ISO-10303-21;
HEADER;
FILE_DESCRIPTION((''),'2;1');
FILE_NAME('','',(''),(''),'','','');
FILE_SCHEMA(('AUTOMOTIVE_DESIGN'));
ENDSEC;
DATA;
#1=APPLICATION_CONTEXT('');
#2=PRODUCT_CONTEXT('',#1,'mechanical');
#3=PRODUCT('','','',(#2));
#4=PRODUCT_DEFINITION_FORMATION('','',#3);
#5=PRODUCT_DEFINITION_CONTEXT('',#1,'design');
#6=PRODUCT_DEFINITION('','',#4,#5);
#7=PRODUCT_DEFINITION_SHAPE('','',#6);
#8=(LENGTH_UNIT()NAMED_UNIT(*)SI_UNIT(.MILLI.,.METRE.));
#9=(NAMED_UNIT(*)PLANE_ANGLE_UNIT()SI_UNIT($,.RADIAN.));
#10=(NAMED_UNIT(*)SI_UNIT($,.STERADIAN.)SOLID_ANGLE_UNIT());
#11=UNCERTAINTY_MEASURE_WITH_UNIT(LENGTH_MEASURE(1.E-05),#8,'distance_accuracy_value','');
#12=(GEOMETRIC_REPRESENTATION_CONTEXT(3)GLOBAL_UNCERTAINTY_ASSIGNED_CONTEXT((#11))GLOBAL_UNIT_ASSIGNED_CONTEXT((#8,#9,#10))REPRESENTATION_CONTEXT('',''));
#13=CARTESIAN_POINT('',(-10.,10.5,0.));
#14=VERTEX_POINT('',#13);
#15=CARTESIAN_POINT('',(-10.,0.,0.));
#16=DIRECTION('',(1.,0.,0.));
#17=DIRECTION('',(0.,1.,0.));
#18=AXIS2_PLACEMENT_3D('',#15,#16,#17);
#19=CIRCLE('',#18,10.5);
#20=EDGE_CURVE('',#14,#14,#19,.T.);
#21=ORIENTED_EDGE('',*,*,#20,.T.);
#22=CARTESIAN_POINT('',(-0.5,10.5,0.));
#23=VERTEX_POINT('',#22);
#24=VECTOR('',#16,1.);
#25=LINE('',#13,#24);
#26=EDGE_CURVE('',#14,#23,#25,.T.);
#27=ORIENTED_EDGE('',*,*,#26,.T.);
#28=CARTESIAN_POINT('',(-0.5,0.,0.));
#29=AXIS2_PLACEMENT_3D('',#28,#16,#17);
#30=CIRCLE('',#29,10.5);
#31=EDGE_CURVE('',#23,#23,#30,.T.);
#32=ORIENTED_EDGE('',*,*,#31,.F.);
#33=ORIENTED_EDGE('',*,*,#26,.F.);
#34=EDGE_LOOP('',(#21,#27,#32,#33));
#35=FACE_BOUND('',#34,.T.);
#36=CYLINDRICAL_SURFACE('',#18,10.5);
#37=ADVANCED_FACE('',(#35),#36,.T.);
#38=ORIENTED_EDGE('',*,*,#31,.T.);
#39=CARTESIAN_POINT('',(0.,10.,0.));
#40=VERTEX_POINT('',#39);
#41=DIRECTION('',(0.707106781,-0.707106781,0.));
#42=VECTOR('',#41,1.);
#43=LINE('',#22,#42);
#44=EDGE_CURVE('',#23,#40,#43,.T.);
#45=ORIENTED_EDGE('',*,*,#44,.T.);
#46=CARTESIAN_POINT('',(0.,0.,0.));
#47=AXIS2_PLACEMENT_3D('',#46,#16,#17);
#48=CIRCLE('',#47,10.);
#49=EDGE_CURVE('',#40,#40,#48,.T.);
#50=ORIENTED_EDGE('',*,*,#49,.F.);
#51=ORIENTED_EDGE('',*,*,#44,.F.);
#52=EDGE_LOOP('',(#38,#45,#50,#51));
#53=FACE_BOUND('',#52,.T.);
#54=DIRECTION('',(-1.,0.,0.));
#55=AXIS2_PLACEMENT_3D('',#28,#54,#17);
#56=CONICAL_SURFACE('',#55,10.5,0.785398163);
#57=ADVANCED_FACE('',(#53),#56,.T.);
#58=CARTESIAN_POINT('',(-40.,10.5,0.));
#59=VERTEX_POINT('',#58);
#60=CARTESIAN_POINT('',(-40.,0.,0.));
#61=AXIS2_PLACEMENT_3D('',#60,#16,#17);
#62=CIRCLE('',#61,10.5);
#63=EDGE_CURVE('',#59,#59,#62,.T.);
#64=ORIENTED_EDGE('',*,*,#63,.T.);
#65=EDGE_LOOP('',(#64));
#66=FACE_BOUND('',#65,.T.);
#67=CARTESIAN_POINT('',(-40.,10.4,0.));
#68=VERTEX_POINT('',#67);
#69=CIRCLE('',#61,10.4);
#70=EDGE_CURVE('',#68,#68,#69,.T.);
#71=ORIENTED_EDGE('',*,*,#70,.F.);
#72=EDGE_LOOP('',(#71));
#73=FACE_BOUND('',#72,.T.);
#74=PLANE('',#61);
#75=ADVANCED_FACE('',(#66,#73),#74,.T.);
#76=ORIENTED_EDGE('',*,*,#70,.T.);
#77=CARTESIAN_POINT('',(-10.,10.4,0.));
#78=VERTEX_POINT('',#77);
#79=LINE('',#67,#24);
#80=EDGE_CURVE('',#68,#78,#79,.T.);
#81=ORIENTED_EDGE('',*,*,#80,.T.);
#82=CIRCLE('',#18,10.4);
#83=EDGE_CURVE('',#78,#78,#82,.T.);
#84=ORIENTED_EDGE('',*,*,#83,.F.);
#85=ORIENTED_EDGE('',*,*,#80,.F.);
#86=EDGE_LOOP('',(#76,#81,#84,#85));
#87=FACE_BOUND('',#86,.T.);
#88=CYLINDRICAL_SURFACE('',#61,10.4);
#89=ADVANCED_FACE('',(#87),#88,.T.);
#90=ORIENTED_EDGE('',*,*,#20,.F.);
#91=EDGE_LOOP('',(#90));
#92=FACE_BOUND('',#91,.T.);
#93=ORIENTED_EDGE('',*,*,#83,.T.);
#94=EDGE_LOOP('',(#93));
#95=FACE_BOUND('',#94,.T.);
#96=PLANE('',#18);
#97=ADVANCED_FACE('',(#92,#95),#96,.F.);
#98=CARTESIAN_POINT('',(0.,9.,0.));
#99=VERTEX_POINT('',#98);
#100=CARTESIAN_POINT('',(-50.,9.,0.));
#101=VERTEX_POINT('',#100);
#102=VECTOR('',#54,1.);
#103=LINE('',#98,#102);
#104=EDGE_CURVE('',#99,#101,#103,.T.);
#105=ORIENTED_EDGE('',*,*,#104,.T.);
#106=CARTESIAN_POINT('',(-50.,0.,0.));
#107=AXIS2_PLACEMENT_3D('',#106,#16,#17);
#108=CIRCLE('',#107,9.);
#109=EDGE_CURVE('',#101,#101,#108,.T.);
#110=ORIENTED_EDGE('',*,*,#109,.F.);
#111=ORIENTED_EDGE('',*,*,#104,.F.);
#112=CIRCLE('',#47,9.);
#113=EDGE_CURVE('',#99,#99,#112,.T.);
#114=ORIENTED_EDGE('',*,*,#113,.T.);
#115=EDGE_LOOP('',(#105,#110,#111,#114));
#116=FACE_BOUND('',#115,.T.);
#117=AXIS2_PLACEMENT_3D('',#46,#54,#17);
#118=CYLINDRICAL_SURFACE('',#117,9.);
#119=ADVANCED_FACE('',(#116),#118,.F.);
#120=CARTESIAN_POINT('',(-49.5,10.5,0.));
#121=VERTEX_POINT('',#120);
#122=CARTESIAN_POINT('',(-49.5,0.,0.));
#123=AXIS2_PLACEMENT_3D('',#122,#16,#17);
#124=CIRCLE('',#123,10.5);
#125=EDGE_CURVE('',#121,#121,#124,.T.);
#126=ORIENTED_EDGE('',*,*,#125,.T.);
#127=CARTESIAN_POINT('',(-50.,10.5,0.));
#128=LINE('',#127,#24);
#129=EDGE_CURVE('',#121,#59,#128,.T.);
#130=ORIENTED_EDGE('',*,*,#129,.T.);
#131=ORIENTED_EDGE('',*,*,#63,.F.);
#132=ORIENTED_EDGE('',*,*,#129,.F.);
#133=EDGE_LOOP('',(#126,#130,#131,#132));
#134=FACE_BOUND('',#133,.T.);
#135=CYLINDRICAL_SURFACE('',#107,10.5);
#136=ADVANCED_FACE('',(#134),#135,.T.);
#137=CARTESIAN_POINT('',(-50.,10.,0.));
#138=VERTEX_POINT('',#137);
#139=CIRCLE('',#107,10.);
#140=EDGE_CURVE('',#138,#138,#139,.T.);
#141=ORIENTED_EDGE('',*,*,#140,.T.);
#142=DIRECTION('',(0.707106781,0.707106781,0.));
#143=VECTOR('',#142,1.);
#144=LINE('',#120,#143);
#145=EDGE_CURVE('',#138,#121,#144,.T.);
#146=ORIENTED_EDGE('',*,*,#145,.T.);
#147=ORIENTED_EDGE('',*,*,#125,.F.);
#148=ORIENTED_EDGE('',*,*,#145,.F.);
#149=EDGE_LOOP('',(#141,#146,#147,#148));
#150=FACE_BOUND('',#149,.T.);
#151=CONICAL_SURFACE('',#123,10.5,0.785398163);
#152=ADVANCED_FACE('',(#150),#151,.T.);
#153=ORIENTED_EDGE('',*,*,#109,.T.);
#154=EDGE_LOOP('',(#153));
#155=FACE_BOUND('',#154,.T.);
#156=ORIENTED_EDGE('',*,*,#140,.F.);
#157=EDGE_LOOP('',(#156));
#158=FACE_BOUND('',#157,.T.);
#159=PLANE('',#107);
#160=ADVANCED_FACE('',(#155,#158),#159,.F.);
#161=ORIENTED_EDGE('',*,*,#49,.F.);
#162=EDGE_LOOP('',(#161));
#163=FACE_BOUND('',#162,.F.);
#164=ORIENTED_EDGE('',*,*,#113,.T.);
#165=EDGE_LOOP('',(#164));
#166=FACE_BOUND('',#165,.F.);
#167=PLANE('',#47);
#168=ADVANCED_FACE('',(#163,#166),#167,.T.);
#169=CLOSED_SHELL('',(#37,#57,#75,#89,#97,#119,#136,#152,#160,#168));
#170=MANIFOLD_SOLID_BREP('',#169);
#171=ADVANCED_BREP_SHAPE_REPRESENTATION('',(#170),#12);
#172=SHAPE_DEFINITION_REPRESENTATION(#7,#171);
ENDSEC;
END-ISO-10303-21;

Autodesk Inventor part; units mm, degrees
ref_plane "YZ Plane" through (0, 0, 0) normal (1, 0, 0) x (0, 1, 0)
ref_plane "XZ Plane" through (0, 0, 0) normal (0, 1, 0) x (-1, 0, 0)
ref_plane "XY Plane" through (0, 0, 0) normal (0, 0, 1) x (1, 0, 0)
sketch "Skizze1" plane through (0, 0, 0) normal (0, 0, 1) x (1, 0, 0)
  line L0 (-60, 0) -> (10, 0) projected
  line L1 (0, -2.1) -> (0, 12.6) projected
  line L2 (0, 9) -> (-50, 9)
  line L3 (-50, 9) -> (-50, 10.5)
  line L4 (-50, 10.5) -> (-40, 10.5)
  line L5 (-40, 10.5) -> (-40, 10.4)
  line L6 (-40, 10.4) -> (-10, 10.4)
  line L7 (-10, 10.4) -> (-10, 10.5)
  line L8 (-10, 10.5) -> (0, 10.5)
  line L9 (0, 9) -> (0, 10.5)
  point P0 (0, 0)
  dimension "d1" = 18
  dimension "d2" = 21
  dimension "d4" = 50
  dimension "d5" = 10
  dimension "d6" = 10
  dimension "d11" = 0.1
revolve "Umdrehung1" add sketch "Skizze1" angle 360 about axis through (-10, 0, 0) along (1, 0, 0)
chamfer "Fase1" distance 0.5 angle 45 2 edges at (0, -10.5, 0) (-50, -10.5, 0)
properties part number "13_0204_035"
